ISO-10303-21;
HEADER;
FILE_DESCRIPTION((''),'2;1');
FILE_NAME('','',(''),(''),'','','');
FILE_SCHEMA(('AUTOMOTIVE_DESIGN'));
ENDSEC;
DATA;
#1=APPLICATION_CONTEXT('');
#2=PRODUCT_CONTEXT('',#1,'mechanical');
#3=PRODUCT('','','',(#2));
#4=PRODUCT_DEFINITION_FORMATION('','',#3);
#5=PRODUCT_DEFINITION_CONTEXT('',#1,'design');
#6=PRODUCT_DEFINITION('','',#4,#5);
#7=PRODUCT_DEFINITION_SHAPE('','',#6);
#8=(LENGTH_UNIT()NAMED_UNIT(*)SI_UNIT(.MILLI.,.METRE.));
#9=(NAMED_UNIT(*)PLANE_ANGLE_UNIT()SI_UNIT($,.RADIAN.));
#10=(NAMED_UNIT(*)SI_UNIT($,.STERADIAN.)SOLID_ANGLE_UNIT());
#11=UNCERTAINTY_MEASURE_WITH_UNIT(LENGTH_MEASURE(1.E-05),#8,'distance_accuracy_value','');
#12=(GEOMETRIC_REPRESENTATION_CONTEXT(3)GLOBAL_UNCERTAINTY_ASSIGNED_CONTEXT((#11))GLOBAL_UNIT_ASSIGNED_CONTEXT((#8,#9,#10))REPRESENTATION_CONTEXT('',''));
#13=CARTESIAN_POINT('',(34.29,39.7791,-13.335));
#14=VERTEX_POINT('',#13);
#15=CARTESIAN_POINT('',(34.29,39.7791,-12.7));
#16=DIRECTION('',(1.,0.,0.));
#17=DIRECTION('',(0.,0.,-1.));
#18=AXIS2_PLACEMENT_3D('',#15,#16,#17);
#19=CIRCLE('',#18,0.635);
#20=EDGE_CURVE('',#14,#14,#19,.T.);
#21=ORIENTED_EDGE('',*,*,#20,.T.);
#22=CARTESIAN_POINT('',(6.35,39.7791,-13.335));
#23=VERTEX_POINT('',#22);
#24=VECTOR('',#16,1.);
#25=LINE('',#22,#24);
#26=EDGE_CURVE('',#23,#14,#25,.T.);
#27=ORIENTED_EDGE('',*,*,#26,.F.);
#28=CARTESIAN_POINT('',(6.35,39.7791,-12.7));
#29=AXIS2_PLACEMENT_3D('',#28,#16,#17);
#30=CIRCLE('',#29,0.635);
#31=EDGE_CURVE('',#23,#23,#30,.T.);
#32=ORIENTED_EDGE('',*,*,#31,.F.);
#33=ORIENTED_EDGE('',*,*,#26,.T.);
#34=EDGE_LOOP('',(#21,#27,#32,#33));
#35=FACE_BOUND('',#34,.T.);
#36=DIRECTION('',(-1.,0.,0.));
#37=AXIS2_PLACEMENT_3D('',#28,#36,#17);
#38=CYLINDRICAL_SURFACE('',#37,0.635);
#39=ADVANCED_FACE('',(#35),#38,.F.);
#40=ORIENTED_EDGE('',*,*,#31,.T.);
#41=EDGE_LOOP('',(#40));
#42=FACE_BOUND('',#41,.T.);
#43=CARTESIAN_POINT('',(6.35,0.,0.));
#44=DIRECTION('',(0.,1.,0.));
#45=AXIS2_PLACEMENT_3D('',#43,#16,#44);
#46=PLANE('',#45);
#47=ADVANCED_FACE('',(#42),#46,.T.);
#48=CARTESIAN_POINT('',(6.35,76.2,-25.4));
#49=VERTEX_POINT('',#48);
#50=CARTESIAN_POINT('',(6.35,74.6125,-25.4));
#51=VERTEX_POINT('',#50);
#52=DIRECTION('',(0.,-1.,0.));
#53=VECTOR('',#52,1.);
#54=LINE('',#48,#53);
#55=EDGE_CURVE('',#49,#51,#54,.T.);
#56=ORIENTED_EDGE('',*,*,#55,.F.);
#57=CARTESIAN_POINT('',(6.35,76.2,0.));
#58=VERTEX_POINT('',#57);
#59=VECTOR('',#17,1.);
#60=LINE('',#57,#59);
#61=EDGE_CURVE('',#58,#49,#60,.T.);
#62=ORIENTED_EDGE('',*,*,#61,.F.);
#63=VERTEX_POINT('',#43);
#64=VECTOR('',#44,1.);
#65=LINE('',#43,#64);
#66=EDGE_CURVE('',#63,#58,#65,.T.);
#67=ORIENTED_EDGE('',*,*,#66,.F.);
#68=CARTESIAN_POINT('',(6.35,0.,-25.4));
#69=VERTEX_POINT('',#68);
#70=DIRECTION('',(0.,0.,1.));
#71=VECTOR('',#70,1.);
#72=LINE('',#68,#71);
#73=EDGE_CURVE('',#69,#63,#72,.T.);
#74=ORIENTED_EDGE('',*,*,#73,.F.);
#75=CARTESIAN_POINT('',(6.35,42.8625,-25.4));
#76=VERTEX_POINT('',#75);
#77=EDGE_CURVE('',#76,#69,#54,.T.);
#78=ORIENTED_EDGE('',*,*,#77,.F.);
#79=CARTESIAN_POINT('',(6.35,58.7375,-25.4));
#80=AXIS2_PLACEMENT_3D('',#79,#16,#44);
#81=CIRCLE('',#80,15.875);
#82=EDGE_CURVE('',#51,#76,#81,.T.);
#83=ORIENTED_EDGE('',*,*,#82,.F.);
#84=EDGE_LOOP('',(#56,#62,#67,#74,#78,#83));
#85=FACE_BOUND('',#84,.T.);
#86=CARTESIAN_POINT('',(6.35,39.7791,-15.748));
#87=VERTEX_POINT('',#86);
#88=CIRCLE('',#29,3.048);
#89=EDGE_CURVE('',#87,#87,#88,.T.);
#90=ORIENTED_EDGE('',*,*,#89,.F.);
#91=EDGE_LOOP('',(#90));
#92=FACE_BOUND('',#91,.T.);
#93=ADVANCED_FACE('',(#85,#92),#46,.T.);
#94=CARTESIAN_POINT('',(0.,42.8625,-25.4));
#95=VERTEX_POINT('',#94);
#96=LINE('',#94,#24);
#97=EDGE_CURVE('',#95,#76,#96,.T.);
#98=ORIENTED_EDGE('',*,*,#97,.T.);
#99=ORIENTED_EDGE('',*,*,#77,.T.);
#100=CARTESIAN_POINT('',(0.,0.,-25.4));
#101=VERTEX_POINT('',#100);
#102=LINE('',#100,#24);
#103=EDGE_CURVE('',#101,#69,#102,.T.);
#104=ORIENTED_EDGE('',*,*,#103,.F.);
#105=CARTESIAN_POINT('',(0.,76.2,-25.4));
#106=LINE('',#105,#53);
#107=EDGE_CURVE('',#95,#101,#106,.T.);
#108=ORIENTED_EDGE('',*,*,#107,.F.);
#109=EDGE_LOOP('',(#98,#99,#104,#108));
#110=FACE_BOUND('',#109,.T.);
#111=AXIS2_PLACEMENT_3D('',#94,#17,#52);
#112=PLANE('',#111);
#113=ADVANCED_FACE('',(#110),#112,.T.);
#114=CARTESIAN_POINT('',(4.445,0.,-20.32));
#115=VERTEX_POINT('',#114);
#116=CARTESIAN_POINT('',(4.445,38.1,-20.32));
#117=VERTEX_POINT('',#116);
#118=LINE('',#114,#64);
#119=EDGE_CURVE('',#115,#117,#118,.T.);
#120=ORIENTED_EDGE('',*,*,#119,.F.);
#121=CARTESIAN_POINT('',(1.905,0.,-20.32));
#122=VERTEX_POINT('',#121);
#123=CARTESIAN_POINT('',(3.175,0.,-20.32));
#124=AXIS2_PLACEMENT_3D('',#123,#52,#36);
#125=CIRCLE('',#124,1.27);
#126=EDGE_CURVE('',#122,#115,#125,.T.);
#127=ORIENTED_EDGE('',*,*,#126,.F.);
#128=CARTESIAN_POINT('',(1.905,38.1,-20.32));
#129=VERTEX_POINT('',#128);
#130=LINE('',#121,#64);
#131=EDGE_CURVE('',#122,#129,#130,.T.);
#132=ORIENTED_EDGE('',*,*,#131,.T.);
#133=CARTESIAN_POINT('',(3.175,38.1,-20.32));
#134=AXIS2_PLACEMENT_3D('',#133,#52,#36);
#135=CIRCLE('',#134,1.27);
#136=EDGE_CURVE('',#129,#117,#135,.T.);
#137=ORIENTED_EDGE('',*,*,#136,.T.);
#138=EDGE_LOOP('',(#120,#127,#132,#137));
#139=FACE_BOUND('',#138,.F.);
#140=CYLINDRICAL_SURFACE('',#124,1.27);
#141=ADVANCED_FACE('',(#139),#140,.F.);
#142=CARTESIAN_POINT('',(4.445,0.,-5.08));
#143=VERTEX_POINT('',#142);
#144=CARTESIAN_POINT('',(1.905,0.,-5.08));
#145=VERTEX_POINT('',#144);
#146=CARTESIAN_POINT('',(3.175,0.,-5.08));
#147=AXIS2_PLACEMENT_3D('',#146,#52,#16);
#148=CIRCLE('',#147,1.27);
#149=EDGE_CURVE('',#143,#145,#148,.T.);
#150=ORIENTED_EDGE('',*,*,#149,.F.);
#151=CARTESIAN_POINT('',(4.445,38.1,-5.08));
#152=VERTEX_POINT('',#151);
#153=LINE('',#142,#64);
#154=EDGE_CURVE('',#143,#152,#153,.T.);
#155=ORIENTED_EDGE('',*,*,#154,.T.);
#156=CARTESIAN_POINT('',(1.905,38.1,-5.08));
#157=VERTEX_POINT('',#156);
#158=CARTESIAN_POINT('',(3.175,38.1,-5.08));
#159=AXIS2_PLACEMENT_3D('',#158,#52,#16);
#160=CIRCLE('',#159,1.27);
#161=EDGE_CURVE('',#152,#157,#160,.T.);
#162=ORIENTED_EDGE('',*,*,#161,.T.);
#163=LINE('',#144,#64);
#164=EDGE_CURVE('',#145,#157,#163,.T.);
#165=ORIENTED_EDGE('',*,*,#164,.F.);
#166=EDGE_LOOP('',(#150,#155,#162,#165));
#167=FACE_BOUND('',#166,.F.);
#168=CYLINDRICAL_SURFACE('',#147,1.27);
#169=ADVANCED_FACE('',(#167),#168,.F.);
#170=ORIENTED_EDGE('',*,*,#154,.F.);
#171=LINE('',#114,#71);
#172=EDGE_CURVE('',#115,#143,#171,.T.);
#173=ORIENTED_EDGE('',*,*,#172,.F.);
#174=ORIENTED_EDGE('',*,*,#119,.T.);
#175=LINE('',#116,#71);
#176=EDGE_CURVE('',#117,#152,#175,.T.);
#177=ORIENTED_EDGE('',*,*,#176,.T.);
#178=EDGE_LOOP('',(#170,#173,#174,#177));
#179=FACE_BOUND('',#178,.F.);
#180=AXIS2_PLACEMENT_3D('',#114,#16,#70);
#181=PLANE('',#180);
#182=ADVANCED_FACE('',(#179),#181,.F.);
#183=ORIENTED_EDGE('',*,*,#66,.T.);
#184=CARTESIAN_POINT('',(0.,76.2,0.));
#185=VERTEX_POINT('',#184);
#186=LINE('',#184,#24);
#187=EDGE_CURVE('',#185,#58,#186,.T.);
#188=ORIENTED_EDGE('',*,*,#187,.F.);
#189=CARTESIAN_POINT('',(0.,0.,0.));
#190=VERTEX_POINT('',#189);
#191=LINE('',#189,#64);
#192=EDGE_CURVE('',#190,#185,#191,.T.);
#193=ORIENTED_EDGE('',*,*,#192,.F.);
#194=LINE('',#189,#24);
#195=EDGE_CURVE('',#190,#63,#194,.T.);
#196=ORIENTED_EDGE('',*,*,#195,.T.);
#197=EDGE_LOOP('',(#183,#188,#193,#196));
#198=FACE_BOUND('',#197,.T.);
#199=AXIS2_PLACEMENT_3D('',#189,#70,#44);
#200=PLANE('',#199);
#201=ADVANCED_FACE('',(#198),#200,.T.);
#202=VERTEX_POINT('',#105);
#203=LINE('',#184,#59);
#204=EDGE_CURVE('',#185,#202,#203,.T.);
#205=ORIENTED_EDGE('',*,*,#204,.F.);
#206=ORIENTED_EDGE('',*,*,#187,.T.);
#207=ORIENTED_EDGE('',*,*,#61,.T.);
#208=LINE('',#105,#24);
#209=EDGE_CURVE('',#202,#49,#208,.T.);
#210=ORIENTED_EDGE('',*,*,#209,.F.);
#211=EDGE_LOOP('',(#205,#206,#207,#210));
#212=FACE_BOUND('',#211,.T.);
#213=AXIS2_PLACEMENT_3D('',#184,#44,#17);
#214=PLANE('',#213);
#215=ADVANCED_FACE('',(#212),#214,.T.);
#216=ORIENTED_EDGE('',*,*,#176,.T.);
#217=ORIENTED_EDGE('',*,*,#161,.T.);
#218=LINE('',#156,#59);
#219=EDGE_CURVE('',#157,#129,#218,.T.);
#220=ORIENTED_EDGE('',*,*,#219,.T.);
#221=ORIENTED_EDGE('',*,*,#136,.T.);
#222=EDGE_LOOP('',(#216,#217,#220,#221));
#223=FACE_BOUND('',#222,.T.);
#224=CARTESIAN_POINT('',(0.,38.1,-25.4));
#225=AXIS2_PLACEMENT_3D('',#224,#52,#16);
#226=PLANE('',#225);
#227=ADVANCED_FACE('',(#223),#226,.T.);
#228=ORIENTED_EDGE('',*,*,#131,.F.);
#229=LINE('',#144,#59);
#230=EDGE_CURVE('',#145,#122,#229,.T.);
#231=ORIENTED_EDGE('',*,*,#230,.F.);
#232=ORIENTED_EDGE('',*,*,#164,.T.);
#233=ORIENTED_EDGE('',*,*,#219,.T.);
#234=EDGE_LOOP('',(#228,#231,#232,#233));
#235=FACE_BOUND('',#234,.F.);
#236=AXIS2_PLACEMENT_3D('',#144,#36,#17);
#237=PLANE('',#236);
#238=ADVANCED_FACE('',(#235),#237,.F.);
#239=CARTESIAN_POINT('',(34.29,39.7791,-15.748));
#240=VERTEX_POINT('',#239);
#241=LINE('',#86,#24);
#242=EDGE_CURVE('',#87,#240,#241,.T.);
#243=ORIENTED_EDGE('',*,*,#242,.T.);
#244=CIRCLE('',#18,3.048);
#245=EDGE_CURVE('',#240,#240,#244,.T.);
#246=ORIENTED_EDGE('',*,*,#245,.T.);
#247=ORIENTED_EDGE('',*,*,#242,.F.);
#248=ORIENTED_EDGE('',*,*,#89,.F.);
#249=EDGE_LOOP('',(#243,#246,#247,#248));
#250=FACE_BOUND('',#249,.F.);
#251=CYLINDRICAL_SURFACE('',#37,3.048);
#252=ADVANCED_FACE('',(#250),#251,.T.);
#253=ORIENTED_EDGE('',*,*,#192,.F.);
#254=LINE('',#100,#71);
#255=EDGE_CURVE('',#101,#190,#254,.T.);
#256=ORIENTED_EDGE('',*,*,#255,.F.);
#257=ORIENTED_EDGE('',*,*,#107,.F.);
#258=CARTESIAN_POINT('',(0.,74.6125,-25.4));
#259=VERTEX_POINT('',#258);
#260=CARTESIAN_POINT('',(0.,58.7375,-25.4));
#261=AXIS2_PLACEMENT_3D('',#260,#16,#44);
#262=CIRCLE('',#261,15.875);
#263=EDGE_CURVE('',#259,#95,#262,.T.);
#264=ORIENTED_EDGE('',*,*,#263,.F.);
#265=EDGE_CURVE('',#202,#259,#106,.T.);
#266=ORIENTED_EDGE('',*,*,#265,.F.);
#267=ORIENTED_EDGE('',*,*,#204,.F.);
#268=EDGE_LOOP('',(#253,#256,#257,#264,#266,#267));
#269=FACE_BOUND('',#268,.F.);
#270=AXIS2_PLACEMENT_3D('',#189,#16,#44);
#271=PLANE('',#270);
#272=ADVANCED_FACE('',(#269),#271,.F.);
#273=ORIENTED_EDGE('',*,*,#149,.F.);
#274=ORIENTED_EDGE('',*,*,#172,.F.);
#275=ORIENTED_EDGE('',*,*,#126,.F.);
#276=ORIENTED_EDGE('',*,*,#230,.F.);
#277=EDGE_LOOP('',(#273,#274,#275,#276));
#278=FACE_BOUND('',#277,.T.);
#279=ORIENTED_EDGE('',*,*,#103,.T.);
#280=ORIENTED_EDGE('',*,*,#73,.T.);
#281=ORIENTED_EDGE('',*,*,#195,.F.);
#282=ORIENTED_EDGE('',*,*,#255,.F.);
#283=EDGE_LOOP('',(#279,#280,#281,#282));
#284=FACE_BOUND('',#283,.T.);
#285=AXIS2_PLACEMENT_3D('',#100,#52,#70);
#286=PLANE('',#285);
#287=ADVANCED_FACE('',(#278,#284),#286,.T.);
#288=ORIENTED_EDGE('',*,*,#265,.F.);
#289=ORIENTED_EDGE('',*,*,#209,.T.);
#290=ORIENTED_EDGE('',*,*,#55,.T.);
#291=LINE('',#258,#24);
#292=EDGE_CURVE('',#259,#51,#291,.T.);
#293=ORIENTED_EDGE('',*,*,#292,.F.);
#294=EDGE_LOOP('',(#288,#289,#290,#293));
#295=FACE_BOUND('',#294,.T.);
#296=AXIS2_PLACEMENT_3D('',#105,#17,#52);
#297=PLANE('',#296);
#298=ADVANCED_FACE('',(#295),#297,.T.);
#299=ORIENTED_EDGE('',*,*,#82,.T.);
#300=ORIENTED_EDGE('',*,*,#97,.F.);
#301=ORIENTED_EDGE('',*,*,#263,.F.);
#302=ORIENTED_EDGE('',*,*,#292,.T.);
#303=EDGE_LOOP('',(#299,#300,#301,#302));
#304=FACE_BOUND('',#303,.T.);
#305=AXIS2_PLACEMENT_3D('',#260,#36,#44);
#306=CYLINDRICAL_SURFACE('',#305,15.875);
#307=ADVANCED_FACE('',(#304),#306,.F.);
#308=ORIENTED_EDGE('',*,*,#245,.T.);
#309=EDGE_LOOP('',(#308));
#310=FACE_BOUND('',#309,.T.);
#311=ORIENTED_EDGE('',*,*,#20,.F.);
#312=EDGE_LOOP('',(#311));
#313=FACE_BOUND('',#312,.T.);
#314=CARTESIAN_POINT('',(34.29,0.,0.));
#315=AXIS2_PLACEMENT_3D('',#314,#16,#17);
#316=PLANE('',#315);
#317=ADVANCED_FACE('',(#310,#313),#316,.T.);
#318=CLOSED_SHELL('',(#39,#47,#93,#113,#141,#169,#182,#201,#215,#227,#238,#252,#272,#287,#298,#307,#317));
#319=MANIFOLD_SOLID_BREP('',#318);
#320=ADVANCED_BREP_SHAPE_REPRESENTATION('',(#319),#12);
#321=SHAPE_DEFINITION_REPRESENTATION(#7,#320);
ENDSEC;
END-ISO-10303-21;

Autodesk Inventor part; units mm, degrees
ref_plane "YZ Plane" through (0, 0, 0) normal (1, 0, 0) x (0, 1, 0)
ref_plane "XZ Plane" through (0, 0, 0) normal (0, 1, 0) x (-1, 0, 0)
ref_plane "XY Plane" through (0, 0, 0) normal (0, 0, 1) x (1, 0, 0)
sketch "Sketch1" plane through (0, 0, 0) normal (1, 0, 0) x (0, 1, 0)
  line L0 (0, 0) -> (76.2, 0)
  line L1 (76.2, 0) -> (76.2, -25.4)
  line L2 (76.2, -25.4) -> (0, -25.4)
  line L3 (0, -25.4) -> (0, 0)
  arc A0 (74.6125, -25.4) -> (42.8625, -25.4) centre (58.7375, -25.4) ccw
  dimension "d0" = 76.2
  dimension "d1" = 25.4
  dimension "d2" = 31.75
  dimension "d3" = 15.875
  dimension "d20" = 1.5875
extrude "Extrusion1" add sketch "Sketch1" along normal blind 6.35 contours L0 L1 L2 A0 L3
sketch "Sketch2" plane through (0, 0, -25.4) normal (0, -1, 0) x (1, 0, 0)
  line L0 (3.175, 21.59) -> (3.175, 3.81) construction
  line L1 (1.905, 20.32) -> (1.905, 5.08)
  line L2 (4.445, 5.08) -> (4.445, 20.32)
  arc A0 (4.445, 20.32) -> (1.905, 20.32) centre (3.175, 20.32) ccw
  arc A1 (1.905, 5.08) -> (4.445, 5.08) centre (3.175, 5.08) ccw
  line L3 (6.35, 25.4) -> (6.35, 0) projected
  line L4 (0, 25.4) -> (6.35, 25.4) projected
  point P0 (3.175, 12.7)
  dimension "d6" = 2.54
  dimension "d7" = 25.4
  dimension "d8" = 12.7
  dimension "d9" = 8.89
extrude "Extrusion2" cut sketch "Sketch2" against normal blind 38.1
sketch "Sketch4" plane through (6.35, 0, 0) normal (1, 0, 0) x (0, 0, -1)
  line L0 (5.08, 0) -> (5.08, 38.1) projected
  line L1 (0, 0) -> (25.4, 0) projected
  line L2 (25.4, 0) -> (25.4, 42.8625) projected
  arc A0 (25.4, 74.6125) -> (25.4, 42.8625) centre (25.4, 58.7375) ccw projected
  line L3 (25.4, 76.2) -> (0, 76.2) projected
  line L4 (0, 76.2) -> (0, 0) projected
  circle A1 centre (12.7, 39.7791) radius 0.635
  circle A2 centre (12.7, 39.7791) radius 3.048
  line L5 (25.4, 74.6125) -> (25.4, 76.2) projected
  dimension "d16" = 1.27
  dimension "d17" = 6.096
extrude "Extrusion4" add sketch "Sketch4" along normal blind 27.94 contours A2
equation "\"d8\" = 0.5 * d7"
properties part number "hook"
